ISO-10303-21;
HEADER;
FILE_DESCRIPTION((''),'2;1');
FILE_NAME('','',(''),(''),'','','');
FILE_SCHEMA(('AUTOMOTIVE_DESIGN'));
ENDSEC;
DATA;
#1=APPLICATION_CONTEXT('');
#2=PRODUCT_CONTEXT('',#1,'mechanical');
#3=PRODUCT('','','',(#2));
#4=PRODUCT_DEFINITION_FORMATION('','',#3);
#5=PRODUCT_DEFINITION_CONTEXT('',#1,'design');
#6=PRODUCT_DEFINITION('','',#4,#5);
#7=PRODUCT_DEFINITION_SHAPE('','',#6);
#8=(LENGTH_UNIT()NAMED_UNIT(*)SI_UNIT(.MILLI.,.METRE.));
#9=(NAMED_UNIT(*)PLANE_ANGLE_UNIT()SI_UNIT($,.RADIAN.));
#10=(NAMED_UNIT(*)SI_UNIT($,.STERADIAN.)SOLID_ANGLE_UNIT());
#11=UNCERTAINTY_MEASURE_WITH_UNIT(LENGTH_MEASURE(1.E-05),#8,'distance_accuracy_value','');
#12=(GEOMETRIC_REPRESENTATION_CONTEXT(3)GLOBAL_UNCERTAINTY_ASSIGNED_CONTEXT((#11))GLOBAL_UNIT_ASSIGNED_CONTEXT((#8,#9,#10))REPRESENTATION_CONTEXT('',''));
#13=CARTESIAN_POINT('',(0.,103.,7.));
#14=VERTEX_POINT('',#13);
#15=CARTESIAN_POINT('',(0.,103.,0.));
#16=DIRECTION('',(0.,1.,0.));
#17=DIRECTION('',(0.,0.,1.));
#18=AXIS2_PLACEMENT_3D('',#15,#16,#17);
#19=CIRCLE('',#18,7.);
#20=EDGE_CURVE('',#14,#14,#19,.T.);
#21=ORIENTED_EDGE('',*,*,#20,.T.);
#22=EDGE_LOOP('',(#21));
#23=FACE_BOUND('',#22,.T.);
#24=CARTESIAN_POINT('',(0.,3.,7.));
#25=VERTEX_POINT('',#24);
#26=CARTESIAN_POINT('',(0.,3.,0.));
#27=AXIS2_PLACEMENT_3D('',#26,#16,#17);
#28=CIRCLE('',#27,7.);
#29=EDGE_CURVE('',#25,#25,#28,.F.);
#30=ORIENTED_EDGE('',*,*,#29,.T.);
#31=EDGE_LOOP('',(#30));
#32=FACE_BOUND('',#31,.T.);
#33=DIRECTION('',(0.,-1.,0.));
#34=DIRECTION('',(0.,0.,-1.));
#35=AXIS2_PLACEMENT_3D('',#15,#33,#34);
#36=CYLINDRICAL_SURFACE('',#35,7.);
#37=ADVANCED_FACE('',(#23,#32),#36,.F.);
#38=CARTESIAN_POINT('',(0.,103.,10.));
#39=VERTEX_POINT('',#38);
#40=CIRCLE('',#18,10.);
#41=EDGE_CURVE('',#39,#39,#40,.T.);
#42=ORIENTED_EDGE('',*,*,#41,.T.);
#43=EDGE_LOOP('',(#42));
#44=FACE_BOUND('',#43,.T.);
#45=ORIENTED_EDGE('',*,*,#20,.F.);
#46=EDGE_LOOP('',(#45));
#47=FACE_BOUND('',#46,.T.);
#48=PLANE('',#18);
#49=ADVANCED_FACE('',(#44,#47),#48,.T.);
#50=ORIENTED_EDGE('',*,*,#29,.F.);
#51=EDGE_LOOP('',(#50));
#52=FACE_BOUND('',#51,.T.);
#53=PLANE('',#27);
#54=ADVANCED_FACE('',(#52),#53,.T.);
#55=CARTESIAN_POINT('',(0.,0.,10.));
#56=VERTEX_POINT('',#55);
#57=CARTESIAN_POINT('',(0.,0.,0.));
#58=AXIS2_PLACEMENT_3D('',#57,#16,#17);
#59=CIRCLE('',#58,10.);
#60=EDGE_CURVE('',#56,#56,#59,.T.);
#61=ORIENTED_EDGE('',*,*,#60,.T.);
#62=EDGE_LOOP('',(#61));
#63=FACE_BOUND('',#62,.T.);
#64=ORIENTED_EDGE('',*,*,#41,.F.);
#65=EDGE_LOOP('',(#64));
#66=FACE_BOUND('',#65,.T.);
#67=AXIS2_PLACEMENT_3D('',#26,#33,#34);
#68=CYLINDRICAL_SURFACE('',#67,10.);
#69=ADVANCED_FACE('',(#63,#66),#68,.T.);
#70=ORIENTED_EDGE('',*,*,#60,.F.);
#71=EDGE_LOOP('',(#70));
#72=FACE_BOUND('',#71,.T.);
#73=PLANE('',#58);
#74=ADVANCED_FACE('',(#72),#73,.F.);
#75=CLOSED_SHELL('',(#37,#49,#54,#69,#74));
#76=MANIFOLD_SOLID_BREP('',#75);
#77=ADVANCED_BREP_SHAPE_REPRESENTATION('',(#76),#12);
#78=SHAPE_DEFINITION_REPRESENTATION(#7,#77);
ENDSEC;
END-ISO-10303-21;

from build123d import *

# Parameters (mm, degrees)
SKETCH1_R           = 10
BOSS_EXTRUDE1_DEPTH = 3
SKETCH2_R           = 10
SKETCH2_R_2         = 7
BOSS_EXTRUDE2_DEPTH = 100


with BuildPart() as part:
    # Sketch1 → Boss-Extrude1 (new body)
    with BuildSketch(Plane(origin=(0, 0, 0), x_dir=(1, 0, 0), z_dir=(0, 1, 0))):
        with Locations(Location((0, 0, 0), (0, 0, 270))):
            Circle(SKETCH1_R)
    extrude(amount=BOSS_EXTRUDE1_DEPTH)

    # Sketch2 → Boss-Extrude2 (add)
    with BuildSketch(Plane(origin=(0, 3, 0), x_dir=(1, 0, 0), z_dir=(0, 1, 0))):
        with Locations(Location((0, 0, 0), (0, 0, 270))):
            Circle(SKETCH2_R)
        with Locations(Location((0, 0, 0), (0, 0, 270))):
            Circle(SKETCH2_R_2, mode=Mode.SUBTRACT)
    extrude(amount=BOSS_EXTRUDE2_DEPTH)


solid = part.part
